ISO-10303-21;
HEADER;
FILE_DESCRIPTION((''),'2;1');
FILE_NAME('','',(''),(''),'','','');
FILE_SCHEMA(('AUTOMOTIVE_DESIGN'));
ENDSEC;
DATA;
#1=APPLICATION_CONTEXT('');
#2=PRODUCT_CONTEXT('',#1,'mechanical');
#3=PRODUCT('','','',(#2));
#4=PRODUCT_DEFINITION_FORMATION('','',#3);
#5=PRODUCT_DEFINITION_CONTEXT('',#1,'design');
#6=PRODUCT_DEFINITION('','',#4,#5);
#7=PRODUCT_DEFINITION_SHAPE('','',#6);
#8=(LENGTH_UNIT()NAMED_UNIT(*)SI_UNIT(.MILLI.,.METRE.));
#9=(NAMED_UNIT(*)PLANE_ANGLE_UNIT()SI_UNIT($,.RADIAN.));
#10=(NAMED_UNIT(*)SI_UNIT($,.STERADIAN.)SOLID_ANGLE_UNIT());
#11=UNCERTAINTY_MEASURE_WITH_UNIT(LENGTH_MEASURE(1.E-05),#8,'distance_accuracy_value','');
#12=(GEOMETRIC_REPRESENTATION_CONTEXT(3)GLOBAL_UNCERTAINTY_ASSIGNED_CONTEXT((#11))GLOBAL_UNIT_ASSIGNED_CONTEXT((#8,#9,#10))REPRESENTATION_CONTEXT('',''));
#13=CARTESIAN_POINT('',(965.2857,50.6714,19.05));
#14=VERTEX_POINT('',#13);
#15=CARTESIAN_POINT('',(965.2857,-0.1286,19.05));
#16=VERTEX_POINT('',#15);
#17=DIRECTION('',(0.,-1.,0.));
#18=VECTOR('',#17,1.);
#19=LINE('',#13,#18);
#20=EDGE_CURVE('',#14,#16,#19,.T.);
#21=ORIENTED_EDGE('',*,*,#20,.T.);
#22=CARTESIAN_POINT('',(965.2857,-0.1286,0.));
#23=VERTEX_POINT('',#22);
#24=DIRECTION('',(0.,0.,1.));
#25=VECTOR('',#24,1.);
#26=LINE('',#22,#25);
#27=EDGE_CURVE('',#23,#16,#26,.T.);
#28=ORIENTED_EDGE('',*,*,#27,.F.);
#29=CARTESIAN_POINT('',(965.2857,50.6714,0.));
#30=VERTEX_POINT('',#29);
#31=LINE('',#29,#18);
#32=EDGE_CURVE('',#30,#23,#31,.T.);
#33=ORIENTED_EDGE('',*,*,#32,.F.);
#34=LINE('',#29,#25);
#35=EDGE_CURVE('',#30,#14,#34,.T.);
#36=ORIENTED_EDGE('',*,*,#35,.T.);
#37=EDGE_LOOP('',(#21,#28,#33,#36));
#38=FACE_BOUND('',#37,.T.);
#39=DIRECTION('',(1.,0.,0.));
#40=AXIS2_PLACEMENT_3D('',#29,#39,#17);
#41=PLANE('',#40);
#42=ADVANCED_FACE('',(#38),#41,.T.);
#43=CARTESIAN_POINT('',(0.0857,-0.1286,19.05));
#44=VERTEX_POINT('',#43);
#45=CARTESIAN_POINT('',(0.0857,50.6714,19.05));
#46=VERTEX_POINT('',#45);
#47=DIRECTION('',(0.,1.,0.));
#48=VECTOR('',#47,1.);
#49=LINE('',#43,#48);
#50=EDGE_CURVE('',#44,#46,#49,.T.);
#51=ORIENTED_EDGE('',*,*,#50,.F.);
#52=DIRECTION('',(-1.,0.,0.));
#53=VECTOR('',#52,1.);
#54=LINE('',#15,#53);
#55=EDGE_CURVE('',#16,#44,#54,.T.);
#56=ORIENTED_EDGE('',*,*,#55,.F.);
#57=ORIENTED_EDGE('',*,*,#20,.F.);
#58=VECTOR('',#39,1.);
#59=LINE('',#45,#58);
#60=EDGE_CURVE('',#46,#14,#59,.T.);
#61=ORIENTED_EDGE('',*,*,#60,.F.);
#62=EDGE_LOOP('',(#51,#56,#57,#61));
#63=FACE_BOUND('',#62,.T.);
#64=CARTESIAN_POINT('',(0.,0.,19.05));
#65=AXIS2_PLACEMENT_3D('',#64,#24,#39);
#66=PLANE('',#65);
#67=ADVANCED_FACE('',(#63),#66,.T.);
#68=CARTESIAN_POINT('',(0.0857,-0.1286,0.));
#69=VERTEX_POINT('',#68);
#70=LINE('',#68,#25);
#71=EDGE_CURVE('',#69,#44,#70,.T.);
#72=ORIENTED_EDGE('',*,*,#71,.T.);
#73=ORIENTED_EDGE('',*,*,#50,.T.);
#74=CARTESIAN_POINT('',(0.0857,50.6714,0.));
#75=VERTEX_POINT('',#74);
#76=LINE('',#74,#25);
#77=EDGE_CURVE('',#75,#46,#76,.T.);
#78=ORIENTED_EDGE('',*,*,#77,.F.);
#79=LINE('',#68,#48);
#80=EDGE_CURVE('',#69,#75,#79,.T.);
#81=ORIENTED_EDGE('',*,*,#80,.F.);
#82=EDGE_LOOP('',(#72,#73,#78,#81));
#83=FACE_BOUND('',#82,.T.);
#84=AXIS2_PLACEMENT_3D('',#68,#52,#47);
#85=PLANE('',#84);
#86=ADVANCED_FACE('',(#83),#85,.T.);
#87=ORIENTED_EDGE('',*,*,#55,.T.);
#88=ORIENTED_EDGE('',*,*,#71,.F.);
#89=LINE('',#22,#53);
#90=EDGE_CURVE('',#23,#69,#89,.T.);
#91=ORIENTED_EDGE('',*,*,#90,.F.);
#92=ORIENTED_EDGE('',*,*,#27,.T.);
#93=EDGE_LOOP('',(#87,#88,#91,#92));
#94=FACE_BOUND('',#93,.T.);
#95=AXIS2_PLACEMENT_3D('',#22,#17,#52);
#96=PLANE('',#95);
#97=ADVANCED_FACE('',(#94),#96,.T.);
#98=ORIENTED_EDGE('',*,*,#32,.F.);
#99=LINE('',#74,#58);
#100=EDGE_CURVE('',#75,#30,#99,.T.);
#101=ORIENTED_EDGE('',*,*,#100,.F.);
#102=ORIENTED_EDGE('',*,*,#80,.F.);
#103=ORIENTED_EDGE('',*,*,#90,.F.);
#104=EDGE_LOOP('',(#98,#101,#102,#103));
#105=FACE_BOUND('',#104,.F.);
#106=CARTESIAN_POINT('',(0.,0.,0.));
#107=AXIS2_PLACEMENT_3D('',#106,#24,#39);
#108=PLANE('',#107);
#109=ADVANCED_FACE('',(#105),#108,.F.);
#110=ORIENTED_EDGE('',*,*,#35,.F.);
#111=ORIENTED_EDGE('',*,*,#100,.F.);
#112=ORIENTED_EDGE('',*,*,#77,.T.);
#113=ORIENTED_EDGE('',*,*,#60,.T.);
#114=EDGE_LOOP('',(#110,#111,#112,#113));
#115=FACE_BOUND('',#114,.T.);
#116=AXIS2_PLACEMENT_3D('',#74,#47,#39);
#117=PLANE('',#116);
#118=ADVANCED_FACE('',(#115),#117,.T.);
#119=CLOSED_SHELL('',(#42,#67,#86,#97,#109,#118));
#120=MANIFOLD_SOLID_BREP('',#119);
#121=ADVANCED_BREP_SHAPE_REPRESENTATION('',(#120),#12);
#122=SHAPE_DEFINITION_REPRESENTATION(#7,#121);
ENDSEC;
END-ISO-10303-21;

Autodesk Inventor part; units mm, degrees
ref_plane "YZ Plane" through (0, 0, 0) normal (1, 0, 0) x (0, 1, 0)
ref_plane "XZ Plane" through (0, 0, 0) normal (0, 1, 0) x (-1, 0, 0)
ref_plane "XY Plane" through (0, 0, 0) normal (0, 0, 1) x (1, 0, 0)
sketch "Sketch1" plane through (0, 0, 0) normal (0, 0, 1) x (1, 0, 0)
  line L0 (0.0857, -0.1286) -> (0.0857, 50.6714)
  line L1 (0.0857, 50.6714) -> (965.2857, 50.6714)
  line L2 (965.2857, 50.6714) -> (965.2857, -0.1286)
  line L3 (965.2857, -0.1286) -> (0.0857, -0.1286)
  point P0 (0, 0)
extrude "Extrusion1" add sketch "Sketch1" along normal blind 19.05
properties part number "nd-e"
